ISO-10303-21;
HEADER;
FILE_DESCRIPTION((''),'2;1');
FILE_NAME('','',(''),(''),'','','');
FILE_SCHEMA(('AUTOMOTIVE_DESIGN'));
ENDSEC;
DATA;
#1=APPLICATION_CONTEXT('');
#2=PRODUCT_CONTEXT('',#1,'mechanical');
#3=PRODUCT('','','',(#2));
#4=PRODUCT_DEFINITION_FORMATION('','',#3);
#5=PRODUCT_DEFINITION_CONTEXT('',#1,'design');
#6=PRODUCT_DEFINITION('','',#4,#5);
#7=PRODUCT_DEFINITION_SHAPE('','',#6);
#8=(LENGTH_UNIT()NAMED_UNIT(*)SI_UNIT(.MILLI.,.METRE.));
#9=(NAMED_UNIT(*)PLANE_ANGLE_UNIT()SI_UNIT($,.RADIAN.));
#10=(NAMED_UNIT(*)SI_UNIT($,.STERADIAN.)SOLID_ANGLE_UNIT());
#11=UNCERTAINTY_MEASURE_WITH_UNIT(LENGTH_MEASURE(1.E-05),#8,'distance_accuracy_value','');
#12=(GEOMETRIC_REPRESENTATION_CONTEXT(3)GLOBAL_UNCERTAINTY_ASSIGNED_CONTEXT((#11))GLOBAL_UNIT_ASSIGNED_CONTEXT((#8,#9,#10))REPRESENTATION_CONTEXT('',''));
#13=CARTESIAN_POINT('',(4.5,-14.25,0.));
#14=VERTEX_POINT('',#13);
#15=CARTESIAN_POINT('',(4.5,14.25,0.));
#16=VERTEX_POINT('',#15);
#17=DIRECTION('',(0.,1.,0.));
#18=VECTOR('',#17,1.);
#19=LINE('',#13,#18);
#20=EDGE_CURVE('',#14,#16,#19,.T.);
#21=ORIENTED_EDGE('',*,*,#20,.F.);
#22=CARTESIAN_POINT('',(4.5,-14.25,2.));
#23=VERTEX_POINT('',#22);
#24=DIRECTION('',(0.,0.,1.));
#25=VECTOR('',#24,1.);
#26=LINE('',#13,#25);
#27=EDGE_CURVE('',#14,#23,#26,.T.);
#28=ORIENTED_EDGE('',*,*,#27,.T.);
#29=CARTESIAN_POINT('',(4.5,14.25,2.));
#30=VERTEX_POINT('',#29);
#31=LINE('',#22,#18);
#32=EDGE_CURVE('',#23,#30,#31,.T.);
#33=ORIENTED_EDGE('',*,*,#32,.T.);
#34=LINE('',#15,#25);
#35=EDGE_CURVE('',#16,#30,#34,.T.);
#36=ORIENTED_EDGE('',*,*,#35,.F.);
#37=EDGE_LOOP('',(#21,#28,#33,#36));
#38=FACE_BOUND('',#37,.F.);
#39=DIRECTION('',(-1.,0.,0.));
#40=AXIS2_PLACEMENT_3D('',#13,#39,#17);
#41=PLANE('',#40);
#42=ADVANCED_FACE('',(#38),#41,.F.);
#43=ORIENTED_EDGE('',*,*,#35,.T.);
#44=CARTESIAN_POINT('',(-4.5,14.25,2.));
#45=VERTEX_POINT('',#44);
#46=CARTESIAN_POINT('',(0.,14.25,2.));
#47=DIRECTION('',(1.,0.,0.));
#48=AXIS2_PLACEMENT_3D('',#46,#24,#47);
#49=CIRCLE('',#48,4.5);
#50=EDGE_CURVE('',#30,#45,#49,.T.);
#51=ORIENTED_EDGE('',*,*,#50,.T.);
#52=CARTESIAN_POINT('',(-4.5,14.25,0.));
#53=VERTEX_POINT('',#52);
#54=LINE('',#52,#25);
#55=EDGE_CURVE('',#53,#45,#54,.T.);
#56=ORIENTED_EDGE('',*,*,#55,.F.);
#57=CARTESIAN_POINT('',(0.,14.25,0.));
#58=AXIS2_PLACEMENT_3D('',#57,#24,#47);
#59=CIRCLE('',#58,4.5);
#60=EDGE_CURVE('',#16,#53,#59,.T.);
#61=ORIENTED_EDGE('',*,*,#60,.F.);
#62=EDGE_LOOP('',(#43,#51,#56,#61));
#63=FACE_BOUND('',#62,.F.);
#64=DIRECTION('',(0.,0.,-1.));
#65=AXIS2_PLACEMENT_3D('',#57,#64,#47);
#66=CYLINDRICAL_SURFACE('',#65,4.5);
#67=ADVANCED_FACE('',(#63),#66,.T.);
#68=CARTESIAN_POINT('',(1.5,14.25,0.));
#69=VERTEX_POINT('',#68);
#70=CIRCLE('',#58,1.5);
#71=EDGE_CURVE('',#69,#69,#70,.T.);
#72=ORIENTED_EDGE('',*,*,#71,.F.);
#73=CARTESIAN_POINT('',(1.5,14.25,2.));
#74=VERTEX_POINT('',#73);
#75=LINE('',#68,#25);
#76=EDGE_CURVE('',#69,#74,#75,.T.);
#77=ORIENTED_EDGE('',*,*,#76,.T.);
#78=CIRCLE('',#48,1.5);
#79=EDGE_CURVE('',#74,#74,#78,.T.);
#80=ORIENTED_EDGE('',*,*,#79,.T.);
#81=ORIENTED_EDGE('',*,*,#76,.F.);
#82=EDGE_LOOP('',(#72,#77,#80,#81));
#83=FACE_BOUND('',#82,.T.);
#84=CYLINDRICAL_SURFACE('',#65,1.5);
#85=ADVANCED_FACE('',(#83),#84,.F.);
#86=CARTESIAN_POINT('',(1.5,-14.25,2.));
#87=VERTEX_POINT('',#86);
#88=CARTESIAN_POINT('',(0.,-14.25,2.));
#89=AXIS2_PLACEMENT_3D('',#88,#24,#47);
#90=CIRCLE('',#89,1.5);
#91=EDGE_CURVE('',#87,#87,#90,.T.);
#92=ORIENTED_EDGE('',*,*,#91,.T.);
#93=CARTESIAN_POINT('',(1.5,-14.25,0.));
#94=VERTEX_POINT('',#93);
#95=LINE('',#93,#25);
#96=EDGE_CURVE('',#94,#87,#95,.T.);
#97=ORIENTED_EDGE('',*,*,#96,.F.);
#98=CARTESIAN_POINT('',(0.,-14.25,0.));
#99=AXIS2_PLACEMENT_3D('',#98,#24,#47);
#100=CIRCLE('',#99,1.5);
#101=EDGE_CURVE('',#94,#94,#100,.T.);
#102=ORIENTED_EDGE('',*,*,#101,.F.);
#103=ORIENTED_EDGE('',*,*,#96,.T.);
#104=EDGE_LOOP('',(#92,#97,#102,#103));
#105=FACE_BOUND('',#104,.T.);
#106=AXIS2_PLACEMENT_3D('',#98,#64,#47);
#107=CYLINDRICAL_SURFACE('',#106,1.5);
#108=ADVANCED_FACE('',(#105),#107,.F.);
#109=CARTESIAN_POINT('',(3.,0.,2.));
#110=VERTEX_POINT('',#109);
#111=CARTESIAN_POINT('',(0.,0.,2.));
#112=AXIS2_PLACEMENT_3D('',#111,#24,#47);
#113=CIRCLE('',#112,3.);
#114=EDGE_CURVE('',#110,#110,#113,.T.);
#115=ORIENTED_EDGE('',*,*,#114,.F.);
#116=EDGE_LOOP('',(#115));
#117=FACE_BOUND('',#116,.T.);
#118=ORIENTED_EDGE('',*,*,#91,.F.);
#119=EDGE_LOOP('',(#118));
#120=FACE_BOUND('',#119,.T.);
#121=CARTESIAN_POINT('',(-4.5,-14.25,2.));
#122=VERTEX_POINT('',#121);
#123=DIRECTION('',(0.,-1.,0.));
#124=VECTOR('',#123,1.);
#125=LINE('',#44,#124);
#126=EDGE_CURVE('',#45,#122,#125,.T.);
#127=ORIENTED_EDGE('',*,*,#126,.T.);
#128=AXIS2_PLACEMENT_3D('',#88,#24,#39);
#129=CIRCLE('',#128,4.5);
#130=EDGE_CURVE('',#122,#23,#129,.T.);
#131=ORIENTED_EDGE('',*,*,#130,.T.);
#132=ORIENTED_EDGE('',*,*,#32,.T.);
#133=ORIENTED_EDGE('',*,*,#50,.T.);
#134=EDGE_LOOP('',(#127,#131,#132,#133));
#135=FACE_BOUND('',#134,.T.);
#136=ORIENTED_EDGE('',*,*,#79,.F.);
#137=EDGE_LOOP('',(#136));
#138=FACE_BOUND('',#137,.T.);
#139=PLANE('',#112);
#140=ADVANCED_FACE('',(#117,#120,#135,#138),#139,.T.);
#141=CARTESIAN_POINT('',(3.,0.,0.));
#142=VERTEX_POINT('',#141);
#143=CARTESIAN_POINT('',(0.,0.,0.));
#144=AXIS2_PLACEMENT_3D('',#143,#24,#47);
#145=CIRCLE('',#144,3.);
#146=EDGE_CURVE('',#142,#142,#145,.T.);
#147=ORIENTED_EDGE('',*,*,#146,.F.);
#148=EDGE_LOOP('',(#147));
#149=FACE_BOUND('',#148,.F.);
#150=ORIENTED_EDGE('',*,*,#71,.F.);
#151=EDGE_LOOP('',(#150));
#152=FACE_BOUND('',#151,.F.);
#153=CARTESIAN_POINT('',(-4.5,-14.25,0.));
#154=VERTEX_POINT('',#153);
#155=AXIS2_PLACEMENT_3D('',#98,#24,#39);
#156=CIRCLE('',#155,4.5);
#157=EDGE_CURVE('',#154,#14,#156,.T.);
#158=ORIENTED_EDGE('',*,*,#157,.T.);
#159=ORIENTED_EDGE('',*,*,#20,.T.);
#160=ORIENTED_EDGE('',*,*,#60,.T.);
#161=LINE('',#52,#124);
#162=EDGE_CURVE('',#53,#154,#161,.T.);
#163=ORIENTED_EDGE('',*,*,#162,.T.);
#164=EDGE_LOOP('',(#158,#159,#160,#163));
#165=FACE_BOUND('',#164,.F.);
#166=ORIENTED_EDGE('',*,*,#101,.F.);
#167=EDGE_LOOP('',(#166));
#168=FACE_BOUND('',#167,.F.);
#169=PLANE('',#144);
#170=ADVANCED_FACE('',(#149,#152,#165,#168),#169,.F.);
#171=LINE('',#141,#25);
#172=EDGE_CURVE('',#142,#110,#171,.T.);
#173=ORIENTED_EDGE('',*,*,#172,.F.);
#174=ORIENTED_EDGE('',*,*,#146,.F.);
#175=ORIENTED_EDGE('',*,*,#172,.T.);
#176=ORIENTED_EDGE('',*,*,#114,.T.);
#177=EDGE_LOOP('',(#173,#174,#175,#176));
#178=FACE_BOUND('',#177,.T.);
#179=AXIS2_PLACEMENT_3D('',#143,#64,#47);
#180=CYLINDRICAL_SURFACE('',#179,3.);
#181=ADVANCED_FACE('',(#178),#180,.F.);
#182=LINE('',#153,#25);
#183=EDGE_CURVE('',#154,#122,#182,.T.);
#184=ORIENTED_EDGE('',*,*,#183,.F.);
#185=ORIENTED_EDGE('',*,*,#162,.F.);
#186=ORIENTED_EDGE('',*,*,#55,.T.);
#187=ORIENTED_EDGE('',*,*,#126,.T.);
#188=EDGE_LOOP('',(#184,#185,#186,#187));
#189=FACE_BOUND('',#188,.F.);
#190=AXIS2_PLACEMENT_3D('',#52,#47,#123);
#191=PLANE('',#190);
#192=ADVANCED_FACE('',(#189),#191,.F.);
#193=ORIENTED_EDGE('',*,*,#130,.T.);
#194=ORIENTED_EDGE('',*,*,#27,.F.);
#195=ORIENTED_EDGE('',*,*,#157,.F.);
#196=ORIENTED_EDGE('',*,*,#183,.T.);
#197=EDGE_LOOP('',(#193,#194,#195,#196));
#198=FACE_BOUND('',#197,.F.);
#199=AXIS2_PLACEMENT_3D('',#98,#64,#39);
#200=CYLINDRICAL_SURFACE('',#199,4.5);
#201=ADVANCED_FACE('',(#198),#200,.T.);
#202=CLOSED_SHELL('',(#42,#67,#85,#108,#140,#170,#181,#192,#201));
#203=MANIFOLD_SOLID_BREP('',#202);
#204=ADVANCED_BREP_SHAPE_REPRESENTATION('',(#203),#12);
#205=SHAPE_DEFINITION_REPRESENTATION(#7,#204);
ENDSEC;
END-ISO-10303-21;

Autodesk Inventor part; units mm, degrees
ref_plane "YZ Plane" through (0, 0, 0) normal (1, 0, 0) x (0, 1, 0)
ref_plane "XZ Plane" through (0, 0, 0) normal (0, 1, 0) x (-1, 0, 0)
ref_plane "XY Plane" through (0, 0, 0) normal (0, 0, 1) x (1, 0, 0)
sketch "Skizze1" plane through (0, 0, 0) normal (0, 0, 1) x (1, 0, 0)
  line L0 (0, -14.25) -> (0, 14.25) construction
  line L1 (4.5, -14.25) -> (4.5, 14.25)
  line L2 (-4.5, 14.25) -> (-4.5, -14.25)
  arc A0 (-4.5, -14.25) -> (4.5, -14.25) centre (0, -14.25) ccw
  arc A1 (4.5, 14.25) -> (-4.5, 14.25) centre (0, 14.25) ccw
  line L3 (0, 28.35) -> (0, -28.35) construction
  line L4 (-8.4, 0) -> (8.4, 0) construction
  circle A2 centre (0, 14.25) radius 1.5
  circle A3 centre (0, -14.25) radius 1.5
  circle A4 centre (0, 0) radius 3
  circle A5 centre (0, 14.25) radius 6 construction
  circle A6 centre (0, -14.25) radius 6 construction
  line L5 (0, 20.25) -> (0, -20.25) construction
  dimension "d4" = 12
  dimension "d1" = 3
  dimension "d2" = 3
  dimension "d3" = 6
  dimension "d5" = 40.5
extrude "Extrusion1" add sketch "Skizze1" along normal blind 2
properties part number "HarmonicDrive-WaveGenerator"
